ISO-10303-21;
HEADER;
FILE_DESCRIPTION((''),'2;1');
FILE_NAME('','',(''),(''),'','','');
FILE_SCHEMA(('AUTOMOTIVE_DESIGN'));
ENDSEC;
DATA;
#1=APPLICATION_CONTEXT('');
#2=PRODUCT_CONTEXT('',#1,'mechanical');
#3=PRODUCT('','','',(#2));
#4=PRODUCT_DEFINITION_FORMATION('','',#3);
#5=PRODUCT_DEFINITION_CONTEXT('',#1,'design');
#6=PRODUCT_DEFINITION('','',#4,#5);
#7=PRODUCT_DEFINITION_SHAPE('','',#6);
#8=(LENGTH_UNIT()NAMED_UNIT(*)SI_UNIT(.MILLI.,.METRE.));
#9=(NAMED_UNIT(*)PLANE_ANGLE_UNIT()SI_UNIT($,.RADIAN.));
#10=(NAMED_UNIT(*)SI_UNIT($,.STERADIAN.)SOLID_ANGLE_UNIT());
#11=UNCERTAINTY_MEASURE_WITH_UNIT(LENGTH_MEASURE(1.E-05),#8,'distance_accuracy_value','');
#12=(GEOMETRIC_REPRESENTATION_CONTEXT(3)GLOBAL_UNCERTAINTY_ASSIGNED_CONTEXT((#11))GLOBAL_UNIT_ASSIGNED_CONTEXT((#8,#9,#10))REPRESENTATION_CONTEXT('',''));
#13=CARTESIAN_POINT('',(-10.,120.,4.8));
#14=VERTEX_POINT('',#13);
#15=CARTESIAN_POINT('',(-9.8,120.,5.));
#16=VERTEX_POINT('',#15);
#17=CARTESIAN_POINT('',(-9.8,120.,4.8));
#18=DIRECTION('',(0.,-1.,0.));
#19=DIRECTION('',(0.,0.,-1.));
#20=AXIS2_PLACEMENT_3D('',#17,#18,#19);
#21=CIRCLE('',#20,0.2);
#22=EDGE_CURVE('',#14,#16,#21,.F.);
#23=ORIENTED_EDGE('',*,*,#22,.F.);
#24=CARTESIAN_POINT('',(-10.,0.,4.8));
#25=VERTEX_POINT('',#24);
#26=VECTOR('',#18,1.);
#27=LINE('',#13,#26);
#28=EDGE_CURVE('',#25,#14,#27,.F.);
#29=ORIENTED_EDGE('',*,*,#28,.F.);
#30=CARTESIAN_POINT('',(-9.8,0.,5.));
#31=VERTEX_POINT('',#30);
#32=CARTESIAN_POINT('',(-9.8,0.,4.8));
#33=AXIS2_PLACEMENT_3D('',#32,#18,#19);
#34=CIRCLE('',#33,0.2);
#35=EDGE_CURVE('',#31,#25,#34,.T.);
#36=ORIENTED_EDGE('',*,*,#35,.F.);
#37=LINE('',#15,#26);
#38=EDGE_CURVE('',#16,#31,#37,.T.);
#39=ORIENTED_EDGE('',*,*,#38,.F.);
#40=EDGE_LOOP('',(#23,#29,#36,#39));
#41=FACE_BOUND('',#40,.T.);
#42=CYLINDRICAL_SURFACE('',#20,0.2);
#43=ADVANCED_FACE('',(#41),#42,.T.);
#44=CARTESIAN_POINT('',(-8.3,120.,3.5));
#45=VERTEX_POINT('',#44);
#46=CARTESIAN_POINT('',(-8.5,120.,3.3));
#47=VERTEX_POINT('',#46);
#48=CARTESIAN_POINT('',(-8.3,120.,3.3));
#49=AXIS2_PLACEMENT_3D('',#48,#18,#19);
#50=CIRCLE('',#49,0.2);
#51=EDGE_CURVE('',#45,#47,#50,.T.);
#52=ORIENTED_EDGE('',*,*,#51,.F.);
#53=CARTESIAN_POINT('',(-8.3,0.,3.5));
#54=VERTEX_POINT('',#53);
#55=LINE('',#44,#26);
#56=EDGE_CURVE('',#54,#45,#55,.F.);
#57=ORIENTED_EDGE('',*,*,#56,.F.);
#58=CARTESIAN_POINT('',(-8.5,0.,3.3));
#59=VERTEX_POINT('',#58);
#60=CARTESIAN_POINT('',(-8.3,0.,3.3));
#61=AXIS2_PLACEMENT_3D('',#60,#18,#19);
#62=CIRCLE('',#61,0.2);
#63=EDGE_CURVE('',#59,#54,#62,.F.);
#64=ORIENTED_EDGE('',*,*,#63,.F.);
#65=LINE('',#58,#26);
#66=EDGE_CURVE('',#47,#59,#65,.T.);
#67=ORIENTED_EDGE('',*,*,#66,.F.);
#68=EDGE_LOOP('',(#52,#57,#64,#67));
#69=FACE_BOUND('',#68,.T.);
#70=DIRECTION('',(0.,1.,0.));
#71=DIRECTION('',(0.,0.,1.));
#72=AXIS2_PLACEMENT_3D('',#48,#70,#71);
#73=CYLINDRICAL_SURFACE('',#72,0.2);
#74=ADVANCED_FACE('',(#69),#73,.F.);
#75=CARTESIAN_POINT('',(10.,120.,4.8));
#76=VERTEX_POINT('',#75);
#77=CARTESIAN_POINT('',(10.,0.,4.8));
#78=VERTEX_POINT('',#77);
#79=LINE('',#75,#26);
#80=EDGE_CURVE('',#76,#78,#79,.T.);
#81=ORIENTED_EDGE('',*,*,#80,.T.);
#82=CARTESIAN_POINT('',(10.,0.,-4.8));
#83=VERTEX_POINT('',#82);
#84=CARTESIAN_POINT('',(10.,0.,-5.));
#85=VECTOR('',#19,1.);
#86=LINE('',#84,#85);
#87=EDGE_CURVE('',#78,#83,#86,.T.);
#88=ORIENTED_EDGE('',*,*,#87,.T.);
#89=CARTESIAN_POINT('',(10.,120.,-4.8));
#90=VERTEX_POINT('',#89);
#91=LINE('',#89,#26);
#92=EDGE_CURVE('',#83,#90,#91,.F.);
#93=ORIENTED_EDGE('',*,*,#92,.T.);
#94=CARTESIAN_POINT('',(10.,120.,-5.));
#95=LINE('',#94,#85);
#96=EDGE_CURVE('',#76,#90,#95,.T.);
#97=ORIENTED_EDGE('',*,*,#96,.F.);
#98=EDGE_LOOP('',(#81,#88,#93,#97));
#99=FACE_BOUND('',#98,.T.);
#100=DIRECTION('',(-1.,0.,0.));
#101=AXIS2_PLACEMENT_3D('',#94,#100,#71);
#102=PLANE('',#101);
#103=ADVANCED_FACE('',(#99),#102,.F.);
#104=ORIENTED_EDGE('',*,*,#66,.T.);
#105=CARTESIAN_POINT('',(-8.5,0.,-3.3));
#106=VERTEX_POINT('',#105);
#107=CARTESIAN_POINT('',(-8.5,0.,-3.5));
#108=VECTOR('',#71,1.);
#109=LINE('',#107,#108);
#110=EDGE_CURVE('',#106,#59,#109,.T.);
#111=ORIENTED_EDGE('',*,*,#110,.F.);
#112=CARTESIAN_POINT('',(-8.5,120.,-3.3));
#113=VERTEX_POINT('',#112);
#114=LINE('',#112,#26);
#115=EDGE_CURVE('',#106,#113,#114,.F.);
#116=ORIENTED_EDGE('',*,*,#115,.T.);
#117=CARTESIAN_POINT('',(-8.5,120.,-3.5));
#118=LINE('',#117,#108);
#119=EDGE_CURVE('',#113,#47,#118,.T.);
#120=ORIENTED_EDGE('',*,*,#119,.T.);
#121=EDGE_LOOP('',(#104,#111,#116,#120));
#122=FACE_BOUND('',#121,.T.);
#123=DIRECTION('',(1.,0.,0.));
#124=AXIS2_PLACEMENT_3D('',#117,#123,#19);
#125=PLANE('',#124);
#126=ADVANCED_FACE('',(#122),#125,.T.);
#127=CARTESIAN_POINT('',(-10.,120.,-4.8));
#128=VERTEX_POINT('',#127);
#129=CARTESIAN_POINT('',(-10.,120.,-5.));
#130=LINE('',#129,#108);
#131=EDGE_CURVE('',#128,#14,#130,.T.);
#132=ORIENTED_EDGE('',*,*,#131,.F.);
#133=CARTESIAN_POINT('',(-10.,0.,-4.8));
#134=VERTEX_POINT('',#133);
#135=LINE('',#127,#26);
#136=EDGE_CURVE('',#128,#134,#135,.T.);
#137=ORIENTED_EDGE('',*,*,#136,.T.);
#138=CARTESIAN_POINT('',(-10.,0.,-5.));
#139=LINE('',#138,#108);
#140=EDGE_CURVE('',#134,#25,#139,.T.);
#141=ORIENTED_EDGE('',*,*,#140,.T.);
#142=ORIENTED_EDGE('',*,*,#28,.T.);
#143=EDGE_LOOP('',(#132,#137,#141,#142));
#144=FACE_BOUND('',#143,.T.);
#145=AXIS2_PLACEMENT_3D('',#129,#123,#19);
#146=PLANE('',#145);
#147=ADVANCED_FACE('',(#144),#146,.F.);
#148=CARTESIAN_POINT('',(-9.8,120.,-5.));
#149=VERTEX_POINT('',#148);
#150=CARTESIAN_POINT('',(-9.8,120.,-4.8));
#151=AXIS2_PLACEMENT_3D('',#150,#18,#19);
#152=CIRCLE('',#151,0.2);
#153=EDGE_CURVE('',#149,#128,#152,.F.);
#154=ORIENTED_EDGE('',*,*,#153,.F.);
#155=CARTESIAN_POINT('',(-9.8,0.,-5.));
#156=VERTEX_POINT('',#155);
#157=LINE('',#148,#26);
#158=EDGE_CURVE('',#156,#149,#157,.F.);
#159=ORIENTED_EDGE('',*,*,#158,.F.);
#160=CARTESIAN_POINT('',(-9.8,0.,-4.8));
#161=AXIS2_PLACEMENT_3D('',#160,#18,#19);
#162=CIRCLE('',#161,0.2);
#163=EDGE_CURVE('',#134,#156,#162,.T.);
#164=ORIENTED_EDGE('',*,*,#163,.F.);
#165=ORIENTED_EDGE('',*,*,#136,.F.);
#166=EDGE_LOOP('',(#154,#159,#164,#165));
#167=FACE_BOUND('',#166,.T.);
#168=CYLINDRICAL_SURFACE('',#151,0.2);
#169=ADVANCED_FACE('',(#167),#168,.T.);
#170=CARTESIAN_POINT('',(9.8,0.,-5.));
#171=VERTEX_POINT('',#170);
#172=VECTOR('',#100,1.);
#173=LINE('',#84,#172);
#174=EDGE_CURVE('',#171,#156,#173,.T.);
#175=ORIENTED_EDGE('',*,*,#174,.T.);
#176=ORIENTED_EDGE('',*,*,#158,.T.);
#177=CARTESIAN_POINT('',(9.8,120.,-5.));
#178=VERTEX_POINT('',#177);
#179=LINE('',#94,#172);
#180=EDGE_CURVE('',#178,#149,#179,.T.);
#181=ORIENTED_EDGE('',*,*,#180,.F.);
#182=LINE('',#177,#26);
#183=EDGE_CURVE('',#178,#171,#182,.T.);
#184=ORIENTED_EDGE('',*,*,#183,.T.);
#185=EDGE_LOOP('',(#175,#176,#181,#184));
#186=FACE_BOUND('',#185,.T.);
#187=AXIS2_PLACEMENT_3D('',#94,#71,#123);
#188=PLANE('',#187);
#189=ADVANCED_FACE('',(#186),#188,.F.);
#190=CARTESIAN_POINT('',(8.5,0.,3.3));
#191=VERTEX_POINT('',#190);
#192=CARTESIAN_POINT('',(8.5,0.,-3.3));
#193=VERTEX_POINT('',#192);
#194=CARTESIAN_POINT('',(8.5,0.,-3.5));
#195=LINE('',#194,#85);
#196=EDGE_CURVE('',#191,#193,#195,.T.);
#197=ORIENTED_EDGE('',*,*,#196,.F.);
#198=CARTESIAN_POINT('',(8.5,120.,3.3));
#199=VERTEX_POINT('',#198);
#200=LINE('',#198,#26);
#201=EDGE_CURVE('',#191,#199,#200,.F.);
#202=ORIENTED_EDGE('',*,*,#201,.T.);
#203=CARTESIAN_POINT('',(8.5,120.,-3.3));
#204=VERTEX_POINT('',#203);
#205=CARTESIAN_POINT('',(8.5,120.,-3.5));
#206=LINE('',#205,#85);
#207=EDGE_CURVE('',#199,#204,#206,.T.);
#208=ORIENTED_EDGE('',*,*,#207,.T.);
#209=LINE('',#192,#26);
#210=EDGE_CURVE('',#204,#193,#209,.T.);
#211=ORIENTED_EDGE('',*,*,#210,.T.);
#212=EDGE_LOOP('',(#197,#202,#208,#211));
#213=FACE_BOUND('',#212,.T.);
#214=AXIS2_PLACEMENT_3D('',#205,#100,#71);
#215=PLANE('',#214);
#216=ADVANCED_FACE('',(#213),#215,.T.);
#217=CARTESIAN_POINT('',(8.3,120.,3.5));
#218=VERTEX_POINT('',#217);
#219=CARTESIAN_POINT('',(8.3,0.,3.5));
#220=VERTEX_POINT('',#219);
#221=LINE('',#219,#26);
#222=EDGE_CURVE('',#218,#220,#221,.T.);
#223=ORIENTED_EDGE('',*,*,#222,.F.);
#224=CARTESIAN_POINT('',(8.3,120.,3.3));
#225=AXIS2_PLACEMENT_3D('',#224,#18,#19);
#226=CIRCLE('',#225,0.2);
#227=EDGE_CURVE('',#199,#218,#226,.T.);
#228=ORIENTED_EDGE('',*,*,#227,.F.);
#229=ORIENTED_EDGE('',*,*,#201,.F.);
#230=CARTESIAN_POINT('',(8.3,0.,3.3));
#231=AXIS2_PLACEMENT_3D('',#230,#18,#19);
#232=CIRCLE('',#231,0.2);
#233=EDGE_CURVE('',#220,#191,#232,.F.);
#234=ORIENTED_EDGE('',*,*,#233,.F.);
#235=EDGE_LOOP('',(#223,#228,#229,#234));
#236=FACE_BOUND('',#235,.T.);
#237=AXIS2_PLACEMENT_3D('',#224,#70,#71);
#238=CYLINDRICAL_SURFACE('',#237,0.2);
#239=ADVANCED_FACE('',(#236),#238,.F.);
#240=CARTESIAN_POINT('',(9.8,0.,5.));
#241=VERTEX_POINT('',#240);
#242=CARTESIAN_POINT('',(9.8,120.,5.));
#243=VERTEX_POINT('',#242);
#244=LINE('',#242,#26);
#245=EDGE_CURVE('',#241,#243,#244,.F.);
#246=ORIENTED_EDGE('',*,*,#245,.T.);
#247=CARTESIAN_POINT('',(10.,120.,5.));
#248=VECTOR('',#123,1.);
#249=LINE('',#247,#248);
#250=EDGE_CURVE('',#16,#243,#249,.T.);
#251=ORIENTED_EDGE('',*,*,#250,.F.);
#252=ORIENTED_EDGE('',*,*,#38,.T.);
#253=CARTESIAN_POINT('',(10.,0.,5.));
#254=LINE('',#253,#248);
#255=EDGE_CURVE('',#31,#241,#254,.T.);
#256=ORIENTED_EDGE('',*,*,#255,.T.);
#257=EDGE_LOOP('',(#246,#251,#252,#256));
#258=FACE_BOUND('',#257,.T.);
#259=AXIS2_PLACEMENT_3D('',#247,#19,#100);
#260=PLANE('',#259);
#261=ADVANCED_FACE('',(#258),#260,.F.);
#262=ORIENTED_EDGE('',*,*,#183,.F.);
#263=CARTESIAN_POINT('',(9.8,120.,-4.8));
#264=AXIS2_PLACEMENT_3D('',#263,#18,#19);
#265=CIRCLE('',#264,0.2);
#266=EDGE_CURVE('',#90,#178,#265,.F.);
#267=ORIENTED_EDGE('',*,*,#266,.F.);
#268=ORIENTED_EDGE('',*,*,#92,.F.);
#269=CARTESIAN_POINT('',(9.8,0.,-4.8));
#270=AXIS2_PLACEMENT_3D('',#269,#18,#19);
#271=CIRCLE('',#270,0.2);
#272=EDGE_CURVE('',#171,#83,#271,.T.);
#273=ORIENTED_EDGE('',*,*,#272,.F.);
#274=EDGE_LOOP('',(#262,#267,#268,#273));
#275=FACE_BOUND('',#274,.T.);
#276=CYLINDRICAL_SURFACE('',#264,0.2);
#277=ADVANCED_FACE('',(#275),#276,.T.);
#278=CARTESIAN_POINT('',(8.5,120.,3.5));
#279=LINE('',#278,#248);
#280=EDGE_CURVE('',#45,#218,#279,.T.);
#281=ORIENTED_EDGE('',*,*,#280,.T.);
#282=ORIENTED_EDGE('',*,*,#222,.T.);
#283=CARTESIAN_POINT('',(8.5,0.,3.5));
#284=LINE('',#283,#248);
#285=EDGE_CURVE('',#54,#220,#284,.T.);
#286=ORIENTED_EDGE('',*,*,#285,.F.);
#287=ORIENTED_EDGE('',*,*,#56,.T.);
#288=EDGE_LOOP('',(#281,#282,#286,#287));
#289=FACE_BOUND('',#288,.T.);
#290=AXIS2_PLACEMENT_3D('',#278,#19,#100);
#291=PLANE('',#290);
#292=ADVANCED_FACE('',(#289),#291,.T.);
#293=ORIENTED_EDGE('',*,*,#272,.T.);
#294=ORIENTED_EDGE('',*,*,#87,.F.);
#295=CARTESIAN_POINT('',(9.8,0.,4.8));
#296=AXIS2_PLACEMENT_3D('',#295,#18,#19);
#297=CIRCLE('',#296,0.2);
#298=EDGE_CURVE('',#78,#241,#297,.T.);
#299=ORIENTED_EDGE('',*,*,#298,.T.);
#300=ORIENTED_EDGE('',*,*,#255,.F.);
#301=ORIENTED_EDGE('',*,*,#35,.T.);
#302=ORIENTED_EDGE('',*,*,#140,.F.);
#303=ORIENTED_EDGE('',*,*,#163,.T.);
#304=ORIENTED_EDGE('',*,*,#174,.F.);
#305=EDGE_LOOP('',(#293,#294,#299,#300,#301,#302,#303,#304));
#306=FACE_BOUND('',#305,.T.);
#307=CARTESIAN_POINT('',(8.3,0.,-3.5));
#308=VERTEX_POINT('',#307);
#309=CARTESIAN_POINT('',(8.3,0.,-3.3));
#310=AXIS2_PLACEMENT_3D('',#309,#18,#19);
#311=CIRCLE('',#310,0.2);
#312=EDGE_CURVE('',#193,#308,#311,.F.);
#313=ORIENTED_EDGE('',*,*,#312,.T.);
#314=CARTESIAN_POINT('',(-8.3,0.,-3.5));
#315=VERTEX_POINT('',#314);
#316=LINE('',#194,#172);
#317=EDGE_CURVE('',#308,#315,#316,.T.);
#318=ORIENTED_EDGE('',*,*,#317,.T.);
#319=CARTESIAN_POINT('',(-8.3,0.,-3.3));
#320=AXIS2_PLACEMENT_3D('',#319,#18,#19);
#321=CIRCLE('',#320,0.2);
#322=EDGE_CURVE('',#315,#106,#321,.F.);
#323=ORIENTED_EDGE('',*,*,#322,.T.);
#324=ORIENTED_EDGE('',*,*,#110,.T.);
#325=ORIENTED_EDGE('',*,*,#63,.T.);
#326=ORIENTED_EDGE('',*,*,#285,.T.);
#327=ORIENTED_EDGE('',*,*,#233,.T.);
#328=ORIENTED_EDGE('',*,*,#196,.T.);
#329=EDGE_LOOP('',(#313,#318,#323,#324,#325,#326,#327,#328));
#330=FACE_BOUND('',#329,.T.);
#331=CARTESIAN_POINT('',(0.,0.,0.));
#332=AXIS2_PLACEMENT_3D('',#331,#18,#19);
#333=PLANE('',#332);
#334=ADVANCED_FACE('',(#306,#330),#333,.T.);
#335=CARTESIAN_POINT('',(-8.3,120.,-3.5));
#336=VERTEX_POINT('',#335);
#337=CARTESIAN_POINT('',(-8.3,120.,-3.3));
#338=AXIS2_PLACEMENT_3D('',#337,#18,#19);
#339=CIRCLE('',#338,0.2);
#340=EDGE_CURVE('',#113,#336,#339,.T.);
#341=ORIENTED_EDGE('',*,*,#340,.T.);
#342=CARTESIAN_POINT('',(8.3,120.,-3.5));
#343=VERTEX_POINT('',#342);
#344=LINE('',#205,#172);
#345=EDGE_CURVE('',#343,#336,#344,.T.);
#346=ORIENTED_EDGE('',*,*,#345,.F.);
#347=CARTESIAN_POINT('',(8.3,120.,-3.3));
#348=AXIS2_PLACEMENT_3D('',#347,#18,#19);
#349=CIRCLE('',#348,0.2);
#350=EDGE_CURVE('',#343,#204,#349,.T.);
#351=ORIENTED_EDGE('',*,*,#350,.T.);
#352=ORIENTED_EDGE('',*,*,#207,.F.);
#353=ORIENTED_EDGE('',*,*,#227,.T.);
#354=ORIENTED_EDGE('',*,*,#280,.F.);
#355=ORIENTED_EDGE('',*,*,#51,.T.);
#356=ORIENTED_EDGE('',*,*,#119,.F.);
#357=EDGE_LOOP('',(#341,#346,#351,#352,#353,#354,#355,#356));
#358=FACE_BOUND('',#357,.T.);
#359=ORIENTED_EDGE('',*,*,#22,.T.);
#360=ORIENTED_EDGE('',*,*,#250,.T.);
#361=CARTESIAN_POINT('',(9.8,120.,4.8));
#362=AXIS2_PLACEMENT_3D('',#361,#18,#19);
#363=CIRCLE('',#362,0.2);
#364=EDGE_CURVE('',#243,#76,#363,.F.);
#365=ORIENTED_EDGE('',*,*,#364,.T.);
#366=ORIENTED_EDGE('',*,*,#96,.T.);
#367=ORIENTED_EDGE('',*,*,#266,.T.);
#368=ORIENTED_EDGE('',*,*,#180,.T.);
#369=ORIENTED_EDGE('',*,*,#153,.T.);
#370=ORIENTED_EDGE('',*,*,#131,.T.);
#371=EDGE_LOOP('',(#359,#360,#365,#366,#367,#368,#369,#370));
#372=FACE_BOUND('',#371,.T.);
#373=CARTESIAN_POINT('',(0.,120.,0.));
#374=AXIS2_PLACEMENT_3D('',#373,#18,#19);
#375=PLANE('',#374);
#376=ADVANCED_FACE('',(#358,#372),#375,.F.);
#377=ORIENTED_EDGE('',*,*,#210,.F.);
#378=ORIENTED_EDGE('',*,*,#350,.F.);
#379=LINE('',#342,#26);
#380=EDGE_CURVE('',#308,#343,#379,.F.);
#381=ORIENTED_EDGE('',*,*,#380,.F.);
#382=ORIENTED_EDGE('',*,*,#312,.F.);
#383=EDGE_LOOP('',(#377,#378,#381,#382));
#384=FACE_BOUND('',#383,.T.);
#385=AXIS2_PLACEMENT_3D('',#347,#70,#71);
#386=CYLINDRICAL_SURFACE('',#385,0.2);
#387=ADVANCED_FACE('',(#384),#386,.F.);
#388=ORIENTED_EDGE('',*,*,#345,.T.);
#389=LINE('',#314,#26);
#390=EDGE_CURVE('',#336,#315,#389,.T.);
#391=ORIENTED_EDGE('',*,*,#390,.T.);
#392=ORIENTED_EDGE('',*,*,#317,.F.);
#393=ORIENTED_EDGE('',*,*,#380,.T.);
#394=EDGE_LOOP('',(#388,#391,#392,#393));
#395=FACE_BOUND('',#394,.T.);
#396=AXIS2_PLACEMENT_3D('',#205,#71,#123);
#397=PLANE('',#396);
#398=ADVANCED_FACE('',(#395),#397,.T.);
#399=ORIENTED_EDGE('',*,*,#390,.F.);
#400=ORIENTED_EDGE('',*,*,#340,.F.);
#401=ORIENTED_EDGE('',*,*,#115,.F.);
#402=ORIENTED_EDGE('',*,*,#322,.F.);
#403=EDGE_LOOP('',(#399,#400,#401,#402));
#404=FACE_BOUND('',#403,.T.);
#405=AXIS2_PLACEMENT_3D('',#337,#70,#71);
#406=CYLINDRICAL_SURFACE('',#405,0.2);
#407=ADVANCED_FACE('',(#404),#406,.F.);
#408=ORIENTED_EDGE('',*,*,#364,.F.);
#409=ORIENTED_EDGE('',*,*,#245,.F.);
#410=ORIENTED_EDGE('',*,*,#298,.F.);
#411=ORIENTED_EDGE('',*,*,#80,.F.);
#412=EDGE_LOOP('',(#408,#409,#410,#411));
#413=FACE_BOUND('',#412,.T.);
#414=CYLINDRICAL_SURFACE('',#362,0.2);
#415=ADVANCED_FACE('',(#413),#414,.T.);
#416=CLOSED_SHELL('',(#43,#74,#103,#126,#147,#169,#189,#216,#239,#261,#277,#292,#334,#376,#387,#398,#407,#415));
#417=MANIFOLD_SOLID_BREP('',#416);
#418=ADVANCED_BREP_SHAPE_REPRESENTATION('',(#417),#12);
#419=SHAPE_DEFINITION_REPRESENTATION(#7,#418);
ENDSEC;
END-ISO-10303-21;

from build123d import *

# Parameters (mm, degrees)
SKETCH_1_W      = 20
SKETCH_1_H      = 10
SKETCH_1_W_2    = 17
SKETCH_1_H_2    = 7
EXTRUDE_1_DEPTH = 120
FILLET_1_R      = 0.2


with BuildPart() as part:
    # Эскиз1 → Бобышка-Вытянуть1 (new body)
    with BuildSketch(Plane(origin=(0, 0, 0), x_dir=(1, 0, 0), z_dir=(0, 1, 0))):
        Rectangle(SKETCH_1_W, SKETCH_1_H)
        Rectangle(SKETCH_1_W_2, SKETCH_1_H_2, mode=Mode.SUBTRACT)
    extrude(amount=EXTRUDE_1_DEPTH)

    # Скругление1
    fillet_1_edges = [part.edges().sort_by_distance(p)[0] for p in [
        (8.5, 60, 3.5),
        (8.5, 60, -3.5),
        (-8.5, 60, -3.5),
        (-8.5, 60, 3.5),
        (-10, 60, -5),
        (10, 60, -5),
        (10, 60, 5),
        (-10, 60, 5),
    ]]
    fillet(fillet_1_edges, radius=FILLET_1_R)


solid = part.part
